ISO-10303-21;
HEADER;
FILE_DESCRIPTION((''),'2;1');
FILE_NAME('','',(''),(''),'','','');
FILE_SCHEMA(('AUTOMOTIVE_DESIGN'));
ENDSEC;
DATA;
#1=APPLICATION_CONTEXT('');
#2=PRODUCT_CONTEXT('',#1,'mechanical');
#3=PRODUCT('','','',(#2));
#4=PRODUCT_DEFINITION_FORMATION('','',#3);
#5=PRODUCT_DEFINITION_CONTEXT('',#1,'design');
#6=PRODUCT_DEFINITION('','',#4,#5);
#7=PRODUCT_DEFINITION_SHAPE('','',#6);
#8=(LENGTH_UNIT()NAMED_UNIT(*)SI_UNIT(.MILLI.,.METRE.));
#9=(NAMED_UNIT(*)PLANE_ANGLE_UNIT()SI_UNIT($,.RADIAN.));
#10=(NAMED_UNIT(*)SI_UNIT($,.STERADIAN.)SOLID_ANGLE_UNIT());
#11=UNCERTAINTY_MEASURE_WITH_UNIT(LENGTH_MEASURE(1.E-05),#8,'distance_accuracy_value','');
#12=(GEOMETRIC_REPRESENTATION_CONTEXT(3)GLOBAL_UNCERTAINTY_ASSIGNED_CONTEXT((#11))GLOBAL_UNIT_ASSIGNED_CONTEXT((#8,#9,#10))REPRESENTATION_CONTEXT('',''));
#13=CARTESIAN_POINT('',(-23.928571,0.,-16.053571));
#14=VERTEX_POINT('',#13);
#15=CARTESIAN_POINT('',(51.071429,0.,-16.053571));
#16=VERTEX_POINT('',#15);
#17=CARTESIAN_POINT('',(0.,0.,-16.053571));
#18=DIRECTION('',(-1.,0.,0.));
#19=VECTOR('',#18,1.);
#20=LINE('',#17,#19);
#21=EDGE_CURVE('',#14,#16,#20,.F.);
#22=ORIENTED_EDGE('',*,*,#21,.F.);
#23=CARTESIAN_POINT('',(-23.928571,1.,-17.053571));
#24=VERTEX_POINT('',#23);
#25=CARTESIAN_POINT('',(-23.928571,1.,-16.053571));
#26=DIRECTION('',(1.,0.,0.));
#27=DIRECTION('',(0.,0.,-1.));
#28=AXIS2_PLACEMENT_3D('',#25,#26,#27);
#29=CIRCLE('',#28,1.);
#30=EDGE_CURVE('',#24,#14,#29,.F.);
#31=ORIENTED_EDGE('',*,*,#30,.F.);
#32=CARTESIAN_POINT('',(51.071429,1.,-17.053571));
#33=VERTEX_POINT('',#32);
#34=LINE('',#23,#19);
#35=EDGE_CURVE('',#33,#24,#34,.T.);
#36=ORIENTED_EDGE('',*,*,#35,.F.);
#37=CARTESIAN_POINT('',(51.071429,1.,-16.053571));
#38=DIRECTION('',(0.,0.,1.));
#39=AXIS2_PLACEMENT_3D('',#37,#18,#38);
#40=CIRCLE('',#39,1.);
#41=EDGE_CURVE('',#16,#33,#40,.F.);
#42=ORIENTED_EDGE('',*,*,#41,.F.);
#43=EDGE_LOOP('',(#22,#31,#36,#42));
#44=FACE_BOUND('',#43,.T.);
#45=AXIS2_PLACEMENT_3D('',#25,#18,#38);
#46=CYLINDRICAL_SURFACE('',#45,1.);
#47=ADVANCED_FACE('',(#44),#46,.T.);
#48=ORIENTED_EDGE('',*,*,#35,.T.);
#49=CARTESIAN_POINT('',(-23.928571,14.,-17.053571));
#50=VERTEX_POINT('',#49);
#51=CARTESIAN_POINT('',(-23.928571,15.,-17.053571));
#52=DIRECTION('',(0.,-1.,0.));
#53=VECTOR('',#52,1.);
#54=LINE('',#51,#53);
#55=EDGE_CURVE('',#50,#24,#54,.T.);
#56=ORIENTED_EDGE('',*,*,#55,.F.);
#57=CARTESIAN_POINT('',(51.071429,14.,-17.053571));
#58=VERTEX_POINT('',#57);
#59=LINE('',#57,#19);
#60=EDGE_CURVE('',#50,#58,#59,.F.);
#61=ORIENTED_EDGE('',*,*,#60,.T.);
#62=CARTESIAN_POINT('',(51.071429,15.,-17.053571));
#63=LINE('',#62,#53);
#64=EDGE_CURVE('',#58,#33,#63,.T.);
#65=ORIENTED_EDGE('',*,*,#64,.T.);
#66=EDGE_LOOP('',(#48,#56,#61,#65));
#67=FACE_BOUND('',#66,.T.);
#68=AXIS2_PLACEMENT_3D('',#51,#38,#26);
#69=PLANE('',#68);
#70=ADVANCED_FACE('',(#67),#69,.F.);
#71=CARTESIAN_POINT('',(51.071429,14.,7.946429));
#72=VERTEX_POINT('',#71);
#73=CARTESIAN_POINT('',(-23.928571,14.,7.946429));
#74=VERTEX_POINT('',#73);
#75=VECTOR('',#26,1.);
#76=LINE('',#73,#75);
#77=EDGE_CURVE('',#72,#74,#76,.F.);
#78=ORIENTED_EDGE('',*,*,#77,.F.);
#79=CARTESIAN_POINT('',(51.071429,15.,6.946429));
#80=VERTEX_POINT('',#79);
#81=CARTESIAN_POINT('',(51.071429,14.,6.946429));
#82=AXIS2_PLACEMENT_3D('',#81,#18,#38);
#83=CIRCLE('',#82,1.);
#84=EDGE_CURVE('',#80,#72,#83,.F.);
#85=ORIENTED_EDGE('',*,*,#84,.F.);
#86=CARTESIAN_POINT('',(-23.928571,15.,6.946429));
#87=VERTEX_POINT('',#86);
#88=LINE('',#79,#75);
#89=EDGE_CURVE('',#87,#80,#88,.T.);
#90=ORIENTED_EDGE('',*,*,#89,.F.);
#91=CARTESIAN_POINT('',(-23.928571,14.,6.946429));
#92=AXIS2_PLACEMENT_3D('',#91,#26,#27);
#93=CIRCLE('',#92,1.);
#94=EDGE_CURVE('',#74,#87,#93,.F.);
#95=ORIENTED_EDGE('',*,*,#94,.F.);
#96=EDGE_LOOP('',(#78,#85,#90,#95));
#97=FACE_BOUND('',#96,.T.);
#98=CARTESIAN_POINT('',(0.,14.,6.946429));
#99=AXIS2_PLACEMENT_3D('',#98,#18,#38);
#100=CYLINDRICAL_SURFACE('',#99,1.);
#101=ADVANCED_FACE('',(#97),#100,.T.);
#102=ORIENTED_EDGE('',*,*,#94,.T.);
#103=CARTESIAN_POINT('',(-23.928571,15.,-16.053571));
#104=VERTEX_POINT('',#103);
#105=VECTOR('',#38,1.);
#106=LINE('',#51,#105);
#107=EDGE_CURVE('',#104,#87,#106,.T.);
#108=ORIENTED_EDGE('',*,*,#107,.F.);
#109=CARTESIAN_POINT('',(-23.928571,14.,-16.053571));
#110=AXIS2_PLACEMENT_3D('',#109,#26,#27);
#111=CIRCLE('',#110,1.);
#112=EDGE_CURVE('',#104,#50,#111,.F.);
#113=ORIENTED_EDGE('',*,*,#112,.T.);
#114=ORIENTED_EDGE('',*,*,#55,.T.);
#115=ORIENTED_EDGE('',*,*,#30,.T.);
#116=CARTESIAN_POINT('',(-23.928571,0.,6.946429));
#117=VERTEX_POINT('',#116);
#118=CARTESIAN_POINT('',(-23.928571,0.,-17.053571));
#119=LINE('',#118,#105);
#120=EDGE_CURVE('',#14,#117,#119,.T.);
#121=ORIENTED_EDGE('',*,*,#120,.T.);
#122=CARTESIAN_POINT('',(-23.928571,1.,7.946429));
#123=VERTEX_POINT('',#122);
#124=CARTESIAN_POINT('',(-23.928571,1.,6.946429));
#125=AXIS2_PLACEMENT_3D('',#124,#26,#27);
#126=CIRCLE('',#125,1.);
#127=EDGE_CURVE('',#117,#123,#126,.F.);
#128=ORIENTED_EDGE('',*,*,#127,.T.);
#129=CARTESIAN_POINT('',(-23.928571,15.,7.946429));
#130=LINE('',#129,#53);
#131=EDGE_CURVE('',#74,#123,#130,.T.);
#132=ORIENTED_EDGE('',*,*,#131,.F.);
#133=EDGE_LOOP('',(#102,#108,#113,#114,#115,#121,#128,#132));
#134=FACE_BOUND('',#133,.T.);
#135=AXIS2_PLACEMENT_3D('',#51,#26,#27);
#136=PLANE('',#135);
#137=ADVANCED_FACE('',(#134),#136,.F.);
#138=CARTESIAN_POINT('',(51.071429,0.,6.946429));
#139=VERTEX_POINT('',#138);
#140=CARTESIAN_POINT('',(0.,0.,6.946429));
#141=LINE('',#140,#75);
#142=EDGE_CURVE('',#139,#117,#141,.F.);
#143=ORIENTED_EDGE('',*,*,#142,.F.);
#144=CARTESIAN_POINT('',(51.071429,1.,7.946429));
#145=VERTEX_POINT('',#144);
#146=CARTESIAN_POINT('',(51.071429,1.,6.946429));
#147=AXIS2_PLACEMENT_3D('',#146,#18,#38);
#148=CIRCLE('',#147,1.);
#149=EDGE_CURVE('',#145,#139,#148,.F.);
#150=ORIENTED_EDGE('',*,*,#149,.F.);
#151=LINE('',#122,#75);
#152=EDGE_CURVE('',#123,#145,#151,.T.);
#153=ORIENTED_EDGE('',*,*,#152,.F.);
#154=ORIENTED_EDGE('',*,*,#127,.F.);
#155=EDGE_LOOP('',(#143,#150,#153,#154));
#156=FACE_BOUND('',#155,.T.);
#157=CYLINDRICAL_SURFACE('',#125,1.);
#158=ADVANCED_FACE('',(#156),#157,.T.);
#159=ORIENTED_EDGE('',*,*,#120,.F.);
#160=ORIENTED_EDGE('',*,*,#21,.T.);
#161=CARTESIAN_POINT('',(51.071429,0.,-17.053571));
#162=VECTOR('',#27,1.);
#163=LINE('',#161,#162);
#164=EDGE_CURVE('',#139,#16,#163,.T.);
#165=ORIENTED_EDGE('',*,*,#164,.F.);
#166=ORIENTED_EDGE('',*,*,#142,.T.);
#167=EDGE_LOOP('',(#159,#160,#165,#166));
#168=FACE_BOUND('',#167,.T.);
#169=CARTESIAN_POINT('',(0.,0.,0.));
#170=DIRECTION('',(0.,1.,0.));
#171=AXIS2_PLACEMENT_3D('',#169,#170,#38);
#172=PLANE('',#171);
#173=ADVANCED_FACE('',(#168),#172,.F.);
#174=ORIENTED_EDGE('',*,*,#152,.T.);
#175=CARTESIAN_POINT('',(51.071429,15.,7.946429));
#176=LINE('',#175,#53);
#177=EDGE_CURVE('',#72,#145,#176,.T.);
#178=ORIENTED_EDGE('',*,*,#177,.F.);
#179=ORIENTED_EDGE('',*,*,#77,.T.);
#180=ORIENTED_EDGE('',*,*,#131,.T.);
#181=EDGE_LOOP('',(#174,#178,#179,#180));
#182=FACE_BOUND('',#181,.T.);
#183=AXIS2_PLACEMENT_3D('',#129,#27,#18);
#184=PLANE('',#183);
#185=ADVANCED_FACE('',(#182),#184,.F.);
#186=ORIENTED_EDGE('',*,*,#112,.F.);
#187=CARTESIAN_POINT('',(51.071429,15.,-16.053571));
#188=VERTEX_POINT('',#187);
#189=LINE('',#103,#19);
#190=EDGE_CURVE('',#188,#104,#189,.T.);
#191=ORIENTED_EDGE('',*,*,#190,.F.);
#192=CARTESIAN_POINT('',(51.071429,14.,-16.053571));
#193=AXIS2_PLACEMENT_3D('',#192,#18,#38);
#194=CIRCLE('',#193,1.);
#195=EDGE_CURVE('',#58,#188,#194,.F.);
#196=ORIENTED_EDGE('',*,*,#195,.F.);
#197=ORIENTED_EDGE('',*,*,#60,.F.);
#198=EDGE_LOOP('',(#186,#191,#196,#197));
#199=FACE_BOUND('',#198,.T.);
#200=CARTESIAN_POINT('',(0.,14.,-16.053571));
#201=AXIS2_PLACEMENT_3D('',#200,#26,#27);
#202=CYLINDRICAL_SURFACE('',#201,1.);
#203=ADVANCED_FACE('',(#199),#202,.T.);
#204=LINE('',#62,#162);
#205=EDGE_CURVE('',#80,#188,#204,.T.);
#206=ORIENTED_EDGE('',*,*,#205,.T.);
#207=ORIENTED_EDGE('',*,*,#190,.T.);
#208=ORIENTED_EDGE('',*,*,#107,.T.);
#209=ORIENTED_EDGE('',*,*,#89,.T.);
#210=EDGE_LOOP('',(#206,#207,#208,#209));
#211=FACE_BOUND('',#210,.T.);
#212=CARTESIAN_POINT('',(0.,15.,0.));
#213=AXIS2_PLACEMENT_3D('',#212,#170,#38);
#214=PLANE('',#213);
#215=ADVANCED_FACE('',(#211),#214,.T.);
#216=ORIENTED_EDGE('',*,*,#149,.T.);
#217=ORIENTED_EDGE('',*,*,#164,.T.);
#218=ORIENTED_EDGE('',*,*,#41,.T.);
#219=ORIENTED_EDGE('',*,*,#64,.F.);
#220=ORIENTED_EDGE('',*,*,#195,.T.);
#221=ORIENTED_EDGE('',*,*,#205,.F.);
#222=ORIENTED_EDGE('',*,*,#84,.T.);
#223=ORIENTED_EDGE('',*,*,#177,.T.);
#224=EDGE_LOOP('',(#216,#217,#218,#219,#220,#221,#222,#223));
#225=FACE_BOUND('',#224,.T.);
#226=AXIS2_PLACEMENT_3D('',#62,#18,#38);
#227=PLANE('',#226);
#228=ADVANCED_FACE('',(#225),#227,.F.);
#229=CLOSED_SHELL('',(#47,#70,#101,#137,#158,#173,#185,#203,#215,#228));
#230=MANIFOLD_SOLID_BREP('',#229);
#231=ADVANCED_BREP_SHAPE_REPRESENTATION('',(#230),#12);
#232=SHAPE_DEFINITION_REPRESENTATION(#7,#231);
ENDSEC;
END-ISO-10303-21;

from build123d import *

# Parameters (mm, degrees)
SKETCH1_W           = 75
SKETCH1_H           = 25
BOSS_EXTRUDE1_DEPTH = 15
FILLET1_R           = 1


with BuildPart() as part:
    # Sketch1 → Boss-Extrude1 (new body)
    with BuildSketch(Plane(origin=(0, 0, 0), x_dir=(1, 0, 0), z_dir=(0, 1, 0))):
        with Locations((13.571428571, 4.553571429)):
            Rectangle(SKETCH1_W, SKETCH1_H)
    extrude(amount=BOSS_EXTRUDE1_DEPTH)

    # Fillet1
    fillet1_edges = [part.edges().sort_by_distance(p)[0] for p in [
        (13.571428571, 15, -17.053571429),
        (13.571428571, 0, -17.053571429),
        (13.571428571, 0, 7.946428571),
        (13.571428571, 15, 7.946428571),
    ]]
    fillet(fillet1_edges, radius=FILLET1_R)


solid = part.part
